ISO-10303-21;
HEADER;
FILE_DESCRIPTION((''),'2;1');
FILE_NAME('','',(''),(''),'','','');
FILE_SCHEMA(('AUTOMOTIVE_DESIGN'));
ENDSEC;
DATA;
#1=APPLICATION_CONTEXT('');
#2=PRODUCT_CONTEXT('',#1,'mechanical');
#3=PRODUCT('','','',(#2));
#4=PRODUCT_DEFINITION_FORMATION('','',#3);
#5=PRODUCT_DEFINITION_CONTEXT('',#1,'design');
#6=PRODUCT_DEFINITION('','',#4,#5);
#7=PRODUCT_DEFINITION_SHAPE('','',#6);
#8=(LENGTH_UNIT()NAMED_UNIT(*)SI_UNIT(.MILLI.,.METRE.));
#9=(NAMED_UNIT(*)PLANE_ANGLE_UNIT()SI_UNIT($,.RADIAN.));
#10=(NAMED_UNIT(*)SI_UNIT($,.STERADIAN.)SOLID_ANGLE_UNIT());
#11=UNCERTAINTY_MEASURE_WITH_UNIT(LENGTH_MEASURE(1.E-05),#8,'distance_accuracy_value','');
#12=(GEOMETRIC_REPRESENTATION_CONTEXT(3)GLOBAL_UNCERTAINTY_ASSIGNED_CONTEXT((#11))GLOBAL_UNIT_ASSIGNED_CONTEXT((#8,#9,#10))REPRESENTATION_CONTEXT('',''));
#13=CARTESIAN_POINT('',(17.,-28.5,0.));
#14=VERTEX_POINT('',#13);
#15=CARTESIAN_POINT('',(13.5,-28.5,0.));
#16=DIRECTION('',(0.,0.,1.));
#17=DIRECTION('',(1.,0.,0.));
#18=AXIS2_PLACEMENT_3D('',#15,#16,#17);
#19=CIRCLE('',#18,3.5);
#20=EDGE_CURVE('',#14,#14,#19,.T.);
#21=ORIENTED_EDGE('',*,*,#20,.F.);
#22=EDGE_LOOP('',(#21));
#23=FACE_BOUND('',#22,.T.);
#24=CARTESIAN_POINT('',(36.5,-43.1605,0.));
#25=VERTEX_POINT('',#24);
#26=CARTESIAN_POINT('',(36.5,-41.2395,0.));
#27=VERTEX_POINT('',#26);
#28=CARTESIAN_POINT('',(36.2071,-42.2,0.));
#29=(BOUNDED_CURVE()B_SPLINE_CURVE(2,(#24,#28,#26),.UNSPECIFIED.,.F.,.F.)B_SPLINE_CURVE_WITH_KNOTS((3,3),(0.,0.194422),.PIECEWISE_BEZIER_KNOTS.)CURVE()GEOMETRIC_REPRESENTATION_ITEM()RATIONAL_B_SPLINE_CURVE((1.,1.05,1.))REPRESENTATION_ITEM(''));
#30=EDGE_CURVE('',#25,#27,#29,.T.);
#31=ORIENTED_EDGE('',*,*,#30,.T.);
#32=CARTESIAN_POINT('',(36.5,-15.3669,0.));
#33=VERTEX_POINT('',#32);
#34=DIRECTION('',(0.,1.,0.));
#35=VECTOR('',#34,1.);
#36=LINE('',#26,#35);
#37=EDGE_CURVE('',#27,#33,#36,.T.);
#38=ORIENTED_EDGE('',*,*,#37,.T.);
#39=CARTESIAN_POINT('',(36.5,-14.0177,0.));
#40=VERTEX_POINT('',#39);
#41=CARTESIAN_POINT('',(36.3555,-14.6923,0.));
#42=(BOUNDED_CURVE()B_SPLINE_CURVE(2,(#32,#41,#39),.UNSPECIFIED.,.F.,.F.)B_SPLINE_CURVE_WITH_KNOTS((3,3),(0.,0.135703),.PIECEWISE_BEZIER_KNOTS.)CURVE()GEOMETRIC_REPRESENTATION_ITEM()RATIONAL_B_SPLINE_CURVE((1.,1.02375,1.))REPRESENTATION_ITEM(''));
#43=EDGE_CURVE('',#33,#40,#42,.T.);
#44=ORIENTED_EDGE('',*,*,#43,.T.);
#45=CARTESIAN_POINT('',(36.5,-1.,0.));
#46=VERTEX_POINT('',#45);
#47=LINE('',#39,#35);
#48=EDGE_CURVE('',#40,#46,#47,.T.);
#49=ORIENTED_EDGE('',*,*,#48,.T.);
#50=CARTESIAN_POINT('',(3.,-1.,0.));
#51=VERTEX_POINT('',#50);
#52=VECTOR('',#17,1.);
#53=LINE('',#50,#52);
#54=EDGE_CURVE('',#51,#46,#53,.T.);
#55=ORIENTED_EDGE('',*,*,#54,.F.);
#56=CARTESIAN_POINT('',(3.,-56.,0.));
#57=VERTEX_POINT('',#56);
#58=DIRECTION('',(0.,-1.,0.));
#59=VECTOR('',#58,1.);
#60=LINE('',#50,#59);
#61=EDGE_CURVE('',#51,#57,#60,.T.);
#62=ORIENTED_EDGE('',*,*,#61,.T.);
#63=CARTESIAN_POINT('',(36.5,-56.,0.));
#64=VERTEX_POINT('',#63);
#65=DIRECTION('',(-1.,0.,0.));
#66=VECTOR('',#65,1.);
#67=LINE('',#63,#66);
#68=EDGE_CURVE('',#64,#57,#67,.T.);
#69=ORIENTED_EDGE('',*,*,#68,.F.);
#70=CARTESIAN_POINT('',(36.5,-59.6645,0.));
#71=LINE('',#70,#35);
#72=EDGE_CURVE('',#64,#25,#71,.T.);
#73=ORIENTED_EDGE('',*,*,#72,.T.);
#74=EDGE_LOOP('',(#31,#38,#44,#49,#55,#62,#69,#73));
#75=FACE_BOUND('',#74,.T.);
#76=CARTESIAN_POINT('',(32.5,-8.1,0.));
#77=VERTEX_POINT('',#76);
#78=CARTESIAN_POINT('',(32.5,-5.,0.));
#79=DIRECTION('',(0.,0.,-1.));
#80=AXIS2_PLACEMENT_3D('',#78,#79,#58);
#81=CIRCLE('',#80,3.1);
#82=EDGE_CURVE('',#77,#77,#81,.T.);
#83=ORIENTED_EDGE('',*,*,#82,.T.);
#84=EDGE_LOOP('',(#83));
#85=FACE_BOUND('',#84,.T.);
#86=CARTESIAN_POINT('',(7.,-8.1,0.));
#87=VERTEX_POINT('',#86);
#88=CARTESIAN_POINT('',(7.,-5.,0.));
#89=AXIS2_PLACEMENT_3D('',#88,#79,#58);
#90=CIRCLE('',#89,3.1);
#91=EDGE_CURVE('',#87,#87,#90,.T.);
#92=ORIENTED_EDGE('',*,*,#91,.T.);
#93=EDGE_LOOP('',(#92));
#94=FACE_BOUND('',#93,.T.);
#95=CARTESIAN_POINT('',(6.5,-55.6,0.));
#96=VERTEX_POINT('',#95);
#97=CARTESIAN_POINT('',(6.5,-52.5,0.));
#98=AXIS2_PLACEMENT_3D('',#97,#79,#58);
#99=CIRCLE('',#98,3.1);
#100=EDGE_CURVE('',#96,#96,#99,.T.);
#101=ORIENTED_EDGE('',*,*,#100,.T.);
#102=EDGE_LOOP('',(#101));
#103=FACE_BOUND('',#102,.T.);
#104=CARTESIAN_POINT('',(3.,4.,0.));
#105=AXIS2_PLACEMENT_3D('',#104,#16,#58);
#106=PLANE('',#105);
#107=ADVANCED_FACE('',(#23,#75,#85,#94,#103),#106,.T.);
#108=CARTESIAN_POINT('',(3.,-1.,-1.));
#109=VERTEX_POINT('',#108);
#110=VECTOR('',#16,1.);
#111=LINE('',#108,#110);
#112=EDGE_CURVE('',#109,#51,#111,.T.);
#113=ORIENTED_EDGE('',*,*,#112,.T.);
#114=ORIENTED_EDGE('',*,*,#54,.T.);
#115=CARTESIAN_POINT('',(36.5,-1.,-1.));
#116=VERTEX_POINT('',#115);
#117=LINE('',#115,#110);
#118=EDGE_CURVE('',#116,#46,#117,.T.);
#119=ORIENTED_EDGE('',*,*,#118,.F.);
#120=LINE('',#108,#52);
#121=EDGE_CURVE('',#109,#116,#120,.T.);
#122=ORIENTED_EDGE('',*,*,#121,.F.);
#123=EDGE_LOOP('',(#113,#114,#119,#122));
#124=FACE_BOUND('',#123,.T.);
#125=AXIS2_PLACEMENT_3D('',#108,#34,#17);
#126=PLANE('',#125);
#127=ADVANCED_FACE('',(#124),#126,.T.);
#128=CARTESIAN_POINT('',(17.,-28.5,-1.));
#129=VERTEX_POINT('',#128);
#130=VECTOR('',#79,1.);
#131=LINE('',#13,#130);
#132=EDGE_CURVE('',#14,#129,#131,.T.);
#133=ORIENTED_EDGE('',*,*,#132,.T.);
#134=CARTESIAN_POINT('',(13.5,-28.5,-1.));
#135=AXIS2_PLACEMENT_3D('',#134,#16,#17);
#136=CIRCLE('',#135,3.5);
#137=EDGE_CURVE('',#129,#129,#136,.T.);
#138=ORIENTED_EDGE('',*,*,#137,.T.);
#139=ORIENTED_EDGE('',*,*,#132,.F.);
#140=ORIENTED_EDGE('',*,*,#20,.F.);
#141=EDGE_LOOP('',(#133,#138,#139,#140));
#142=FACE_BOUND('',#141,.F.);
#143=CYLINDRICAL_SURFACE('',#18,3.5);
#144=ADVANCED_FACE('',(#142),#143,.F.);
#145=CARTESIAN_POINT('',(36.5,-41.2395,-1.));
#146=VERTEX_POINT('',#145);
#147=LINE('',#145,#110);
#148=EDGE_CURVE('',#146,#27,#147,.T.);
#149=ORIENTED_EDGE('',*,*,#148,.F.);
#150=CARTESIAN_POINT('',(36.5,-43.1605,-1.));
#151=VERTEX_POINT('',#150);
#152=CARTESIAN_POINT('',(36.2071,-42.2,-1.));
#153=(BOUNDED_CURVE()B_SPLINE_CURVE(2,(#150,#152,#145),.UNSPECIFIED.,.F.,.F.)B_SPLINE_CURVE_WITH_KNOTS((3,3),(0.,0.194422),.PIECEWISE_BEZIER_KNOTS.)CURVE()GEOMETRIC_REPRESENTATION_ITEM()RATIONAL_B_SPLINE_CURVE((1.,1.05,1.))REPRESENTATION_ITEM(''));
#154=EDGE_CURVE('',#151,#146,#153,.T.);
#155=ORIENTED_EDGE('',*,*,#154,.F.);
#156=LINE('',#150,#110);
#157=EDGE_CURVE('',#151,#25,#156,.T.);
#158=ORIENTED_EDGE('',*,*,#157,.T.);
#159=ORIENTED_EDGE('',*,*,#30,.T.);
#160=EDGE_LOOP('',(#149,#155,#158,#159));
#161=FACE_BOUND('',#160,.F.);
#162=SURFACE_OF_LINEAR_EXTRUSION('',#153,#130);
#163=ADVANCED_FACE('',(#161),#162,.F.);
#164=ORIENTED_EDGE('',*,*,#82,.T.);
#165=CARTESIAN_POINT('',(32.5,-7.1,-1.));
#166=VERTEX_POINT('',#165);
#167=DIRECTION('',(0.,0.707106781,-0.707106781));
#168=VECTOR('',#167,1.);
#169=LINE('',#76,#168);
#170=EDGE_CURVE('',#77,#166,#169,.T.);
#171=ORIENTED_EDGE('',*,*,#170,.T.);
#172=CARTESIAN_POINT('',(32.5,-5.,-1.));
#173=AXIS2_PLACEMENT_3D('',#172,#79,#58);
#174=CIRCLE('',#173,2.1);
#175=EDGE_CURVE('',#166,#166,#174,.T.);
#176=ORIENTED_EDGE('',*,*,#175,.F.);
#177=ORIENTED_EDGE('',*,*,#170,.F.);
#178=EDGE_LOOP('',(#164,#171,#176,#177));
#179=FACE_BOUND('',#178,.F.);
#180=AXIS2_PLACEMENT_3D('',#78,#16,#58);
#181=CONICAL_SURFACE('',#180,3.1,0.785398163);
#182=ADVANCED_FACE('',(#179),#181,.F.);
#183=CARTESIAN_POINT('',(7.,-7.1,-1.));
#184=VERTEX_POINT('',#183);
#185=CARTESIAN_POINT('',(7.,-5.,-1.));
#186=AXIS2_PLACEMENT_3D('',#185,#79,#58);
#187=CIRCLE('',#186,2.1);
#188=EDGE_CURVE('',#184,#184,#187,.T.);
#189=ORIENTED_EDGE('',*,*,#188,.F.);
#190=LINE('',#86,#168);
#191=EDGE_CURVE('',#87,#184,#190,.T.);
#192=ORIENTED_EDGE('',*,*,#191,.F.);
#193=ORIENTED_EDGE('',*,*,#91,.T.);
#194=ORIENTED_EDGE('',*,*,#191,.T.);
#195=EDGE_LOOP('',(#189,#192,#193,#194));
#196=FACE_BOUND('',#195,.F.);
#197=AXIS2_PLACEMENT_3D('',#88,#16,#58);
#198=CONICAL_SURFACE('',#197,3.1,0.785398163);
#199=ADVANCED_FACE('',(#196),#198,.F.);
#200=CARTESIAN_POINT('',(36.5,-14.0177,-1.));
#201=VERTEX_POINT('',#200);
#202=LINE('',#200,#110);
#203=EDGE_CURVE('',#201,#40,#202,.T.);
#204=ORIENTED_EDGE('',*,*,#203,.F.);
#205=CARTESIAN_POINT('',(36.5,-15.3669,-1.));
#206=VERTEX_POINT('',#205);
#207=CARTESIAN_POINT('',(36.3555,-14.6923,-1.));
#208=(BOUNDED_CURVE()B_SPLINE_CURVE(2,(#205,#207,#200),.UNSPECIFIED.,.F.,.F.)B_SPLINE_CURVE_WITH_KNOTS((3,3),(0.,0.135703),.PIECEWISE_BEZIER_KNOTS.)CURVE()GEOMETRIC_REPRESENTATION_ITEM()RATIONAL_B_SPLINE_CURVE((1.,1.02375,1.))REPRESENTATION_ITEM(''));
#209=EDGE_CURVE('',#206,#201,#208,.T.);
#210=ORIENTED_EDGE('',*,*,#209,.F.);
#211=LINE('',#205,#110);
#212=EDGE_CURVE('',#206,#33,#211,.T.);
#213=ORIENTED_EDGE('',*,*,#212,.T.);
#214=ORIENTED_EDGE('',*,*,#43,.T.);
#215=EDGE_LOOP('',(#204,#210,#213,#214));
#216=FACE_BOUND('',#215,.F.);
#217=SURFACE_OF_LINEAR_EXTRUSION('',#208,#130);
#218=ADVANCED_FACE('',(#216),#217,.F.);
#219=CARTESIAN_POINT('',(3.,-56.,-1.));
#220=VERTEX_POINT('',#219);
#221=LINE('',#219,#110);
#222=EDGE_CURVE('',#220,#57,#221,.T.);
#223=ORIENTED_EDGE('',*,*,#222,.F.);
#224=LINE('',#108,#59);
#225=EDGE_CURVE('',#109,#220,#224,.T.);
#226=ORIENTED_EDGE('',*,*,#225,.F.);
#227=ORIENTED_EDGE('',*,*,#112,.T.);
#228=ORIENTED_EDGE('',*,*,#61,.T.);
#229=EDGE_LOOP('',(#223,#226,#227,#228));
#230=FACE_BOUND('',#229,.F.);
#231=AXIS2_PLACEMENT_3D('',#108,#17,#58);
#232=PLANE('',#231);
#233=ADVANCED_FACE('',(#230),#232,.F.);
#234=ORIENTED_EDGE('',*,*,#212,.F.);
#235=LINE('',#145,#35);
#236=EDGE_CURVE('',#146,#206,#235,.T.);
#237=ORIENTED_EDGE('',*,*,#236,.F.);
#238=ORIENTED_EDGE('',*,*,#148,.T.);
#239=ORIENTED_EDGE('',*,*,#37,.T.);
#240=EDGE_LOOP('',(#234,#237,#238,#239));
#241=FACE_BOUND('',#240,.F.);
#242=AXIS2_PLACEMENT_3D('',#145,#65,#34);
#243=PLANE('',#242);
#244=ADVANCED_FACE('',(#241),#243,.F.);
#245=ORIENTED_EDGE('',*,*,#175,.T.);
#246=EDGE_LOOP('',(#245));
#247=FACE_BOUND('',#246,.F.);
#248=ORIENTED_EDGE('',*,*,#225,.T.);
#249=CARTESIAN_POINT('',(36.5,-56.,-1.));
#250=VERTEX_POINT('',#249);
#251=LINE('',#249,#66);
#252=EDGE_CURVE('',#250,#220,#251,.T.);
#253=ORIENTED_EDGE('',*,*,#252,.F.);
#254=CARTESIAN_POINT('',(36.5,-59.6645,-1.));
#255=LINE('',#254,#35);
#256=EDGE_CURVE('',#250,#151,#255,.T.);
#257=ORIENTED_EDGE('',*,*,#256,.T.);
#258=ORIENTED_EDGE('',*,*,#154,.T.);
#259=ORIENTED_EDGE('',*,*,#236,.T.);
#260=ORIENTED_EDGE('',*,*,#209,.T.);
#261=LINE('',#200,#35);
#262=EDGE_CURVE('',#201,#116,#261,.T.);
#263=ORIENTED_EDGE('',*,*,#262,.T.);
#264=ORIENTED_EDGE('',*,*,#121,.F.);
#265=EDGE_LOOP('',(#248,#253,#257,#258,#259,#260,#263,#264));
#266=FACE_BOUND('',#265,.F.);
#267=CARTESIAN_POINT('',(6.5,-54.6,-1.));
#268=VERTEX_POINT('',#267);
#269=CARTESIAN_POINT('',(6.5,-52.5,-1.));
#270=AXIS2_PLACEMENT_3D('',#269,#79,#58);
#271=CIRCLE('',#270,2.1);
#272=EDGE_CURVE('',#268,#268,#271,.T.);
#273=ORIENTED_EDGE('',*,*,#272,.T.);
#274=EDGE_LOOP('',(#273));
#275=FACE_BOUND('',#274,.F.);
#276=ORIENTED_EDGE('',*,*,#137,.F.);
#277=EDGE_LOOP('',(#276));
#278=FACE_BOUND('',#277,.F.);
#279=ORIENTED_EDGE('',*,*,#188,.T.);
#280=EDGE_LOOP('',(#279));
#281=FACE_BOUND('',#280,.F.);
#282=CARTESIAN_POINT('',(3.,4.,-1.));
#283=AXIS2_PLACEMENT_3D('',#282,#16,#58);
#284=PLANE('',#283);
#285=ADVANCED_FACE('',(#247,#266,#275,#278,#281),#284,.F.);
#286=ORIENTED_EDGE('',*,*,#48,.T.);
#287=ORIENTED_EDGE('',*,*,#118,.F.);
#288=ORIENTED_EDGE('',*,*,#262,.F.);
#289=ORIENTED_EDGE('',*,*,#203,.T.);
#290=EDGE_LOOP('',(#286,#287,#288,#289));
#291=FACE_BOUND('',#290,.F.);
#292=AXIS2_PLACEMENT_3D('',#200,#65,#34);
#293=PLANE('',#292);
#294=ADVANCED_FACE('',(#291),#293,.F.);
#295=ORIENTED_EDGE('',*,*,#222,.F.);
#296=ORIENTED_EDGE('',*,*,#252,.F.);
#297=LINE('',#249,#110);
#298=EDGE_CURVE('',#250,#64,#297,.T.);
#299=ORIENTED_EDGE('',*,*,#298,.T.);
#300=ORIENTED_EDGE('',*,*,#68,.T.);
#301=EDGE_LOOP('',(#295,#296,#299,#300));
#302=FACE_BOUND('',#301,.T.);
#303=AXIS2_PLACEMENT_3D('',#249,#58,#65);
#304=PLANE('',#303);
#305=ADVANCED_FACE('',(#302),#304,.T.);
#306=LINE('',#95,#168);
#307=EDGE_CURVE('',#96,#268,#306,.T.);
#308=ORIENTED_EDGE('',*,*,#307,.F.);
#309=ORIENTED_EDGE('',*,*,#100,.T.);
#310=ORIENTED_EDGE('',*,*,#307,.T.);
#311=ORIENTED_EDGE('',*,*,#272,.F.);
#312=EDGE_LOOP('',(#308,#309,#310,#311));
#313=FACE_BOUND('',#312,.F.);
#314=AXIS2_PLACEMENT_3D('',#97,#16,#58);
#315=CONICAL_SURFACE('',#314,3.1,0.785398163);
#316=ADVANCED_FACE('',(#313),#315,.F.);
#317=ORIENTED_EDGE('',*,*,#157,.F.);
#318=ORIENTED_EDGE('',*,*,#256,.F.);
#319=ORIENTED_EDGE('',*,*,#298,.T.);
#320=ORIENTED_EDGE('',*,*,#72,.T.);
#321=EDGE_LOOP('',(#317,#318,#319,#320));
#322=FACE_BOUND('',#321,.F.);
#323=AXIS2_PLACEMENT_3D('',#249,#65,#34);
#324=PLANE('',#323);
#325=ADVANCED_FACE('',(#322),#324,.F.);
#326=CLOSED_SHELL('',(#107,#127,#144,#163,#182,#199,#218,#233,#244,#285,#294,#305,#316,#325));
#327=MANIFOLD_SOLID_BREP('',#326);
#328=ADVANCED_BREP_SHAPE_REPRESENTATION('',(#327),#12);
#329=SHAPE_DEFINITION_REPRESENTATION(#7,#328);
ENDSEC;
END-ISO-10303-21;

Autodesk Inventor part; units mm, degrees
ref_plane "YZ Plane" through (0, 0, 0) normal (1, 0, 0) x (0, 1, 0)
ref_plane "XZ Plane" through (0, 0, 0) normal (0, 1, 0) x (-1, 0, 0)
ref_plane "XY Plane" through (0, 0, 0) normal (0, 0, 1) x (1, 0, 0)
ref_plane "Work Plane1" through (3, 4, -1) normal (0, 0, 1) x (0, -1, 0)
sketch "Sketch1" plane through (3, 4, -1) normal (0, 0, 1) x (0, -1, 0)
  line L0 (18.0177, 33.5) -> (5, 33.5) projected
  line L1 (5, 0) -> (5, 33.5) projected
  line L2 (5, 0) -> (89.75, 0) projected
  line L3 (89.75, 0) -> (89.75, 33.5) projected
  line L4 (5, 0) -> (60, 0) projected
  line L5 (5, -3) -> (5, 0) projected
  line L6 (4, -3) -> (60, -3) projected
  line L7 (60, 33.5) -> (60, 0) projected
  line L8 (60, -3) -> (60, 0) projected
  line L9 (60, 0) -> (183, 0) projected
  circle A0 centre (74.375, 15.375) radius 6.75 projected
  line L10 (60, 0) -> (60, 33.5)
  circle A1 centre (32.5, 10.5) radius 5.5 projected
  circle A2 centre (9, 4) radius 2.1 projected
  circle A3 centre (9, 29.5) radius 2.1 projected
  circle A4 centre (56.5, 3.5) radius 2.1 projected
  spline S0 degree 2 poles (19.3669, 33.5) (18.6923, 33.3555) (18.0177, 33.5) knots 0 0 0 0.135703 0.135703 0.135703 weights 1 1.02375 1 projected
  line L11 (89.75, 33.5) -> (85.2105, 33.5) projected
  spline S1 degree 2 poles (85.2105, 33.5) (84.25, 33.2071) (83.2895, 33.5) knots 0 0 0 0.194422 0.194422 0.194422 weights 1 1.05 1 projected
  line L12 (83.2895, 33.5) -> (65.5855, 33.5) projected
  spline S2 degree 2 poles (65.5855, 33.5) (64.625, 33.2071) (63.6645, 33.5) knots 0 0 0 0.194422 0.194422 0.194422 weights 1 1.05 1 projected
  line L13 (63.6645, 33.5) -> (47.1605, 33.5) projected
  spline S3 degree 2 poles (47.1605, 33.5) (46.2, 33.2071) (45.2395, 33.5) knots 0 0 0 0.194422 0.194422 0.194422 weights 1 1.05 1 projected
  line L14 (45.2395, 33.5) -> (19.3669, 33.5) projected
  line L15 (183, 0) -> (183, 4.5) projected
  line L16 (183, 4.5) -> (137.8889, 33.5) projected
  line L17 (137.8889, 33.5) -> (60, 33.5) projected
  point P0 (52, 0)
  point P1 (64.076, 0)
  point P2 (87.674, 0)
  point P3 (63.25, 3.25)
  point P4 (60, 3.25)
extrude "Extrusion1" add sketch "Sketch1" along normal blind 1 contours S0 L14 S3 L13 L7 L2 L1 L0 | A1 | A2 | A3 | A4
sketch "Sketch2" plane through (3, 4, 0) normal (0, 0, 1) x (1, 0, 0)
  line L0 (12.5287, -34.71) -> (8.4496, -34.6899)
  arc A0 (8.4713, -30.29) -> (8.4496, -34.6899) centre (10.5, -32.5) ccw
  line L1 (8.4713, -30.29) -> (12.5504, -30.3101)
  arc A1 (12.5287, -34.71) -> (12.5504, -30.3101) centre (10.5, -32.5) ccw
  circle A2 centre (10.5, -32.5) radius 3
  circle A3 centre (10.5, -32.5) radius 3.5
  point P0 (-3, -4)
  dimension "d5" = 0.5
extrude "Extrusion2" cut sketch "Sketch2" against normal up to next contours A2 L0 | L0 A0 L1 A1 | A2 L1 | A3
sketch "Sketch3" plane through (3, 4, 0) normal (0, 0, 1) x (1, 0, 0)
  circle A0 centre (10.5, -32.5) radius 3.5 projected
  line L0 (0, -5) -> (0, -60) projected
  line L1 (33.5, -18.0177) -> (33.5, -5) projected
  line L2 (33.5, -5) -> (0, -5) projected
  circle A1 centre (3.5, -56.5) radius 3.5
  circle A2 centre (4, -9) radius 4
  circle A3 centre (3.5, -56.5) radius 2.6
  circle A4 centre (4, -9) radius 2.6
  circle A5 centre (29.5, -9) radius 4
  circle A6 centre (29.5, -9) radius 2.6
  line L3 (33.5, -60) -> (33.5, -47.1605) projected
  line L4 (33.5, -45.2395) -> (33.5, -19.3669) projected
  line L5 (0, -60) -> (33.5, -60) projected
  point P0 (-3, -4)
  dimension "d8" = 7
  dimension "d17" = 8
  dimension "d18" = 5.2
  dimension "d19" = 5.2
  dimension "d20" = 4
  dimension "d21" = 4
  dimension "d22" = 8
  dimension "d23" = 5.2
  dimension "d24" = 4
  dimension "d25" = 4
hole "Hole1" at (6.5, -52.5, 0) at (7, -5, 0) at (32.5, -5, 0) direction (0, 0, -1) diameter 3.6 end through all countersink diameter 6.2 countersink angle 90 clearance for "Countersunk Flat Head Screw ISO 2009/7046" size "M3" standard "ISO"
properties part number "right_metal_gear_bracker"
